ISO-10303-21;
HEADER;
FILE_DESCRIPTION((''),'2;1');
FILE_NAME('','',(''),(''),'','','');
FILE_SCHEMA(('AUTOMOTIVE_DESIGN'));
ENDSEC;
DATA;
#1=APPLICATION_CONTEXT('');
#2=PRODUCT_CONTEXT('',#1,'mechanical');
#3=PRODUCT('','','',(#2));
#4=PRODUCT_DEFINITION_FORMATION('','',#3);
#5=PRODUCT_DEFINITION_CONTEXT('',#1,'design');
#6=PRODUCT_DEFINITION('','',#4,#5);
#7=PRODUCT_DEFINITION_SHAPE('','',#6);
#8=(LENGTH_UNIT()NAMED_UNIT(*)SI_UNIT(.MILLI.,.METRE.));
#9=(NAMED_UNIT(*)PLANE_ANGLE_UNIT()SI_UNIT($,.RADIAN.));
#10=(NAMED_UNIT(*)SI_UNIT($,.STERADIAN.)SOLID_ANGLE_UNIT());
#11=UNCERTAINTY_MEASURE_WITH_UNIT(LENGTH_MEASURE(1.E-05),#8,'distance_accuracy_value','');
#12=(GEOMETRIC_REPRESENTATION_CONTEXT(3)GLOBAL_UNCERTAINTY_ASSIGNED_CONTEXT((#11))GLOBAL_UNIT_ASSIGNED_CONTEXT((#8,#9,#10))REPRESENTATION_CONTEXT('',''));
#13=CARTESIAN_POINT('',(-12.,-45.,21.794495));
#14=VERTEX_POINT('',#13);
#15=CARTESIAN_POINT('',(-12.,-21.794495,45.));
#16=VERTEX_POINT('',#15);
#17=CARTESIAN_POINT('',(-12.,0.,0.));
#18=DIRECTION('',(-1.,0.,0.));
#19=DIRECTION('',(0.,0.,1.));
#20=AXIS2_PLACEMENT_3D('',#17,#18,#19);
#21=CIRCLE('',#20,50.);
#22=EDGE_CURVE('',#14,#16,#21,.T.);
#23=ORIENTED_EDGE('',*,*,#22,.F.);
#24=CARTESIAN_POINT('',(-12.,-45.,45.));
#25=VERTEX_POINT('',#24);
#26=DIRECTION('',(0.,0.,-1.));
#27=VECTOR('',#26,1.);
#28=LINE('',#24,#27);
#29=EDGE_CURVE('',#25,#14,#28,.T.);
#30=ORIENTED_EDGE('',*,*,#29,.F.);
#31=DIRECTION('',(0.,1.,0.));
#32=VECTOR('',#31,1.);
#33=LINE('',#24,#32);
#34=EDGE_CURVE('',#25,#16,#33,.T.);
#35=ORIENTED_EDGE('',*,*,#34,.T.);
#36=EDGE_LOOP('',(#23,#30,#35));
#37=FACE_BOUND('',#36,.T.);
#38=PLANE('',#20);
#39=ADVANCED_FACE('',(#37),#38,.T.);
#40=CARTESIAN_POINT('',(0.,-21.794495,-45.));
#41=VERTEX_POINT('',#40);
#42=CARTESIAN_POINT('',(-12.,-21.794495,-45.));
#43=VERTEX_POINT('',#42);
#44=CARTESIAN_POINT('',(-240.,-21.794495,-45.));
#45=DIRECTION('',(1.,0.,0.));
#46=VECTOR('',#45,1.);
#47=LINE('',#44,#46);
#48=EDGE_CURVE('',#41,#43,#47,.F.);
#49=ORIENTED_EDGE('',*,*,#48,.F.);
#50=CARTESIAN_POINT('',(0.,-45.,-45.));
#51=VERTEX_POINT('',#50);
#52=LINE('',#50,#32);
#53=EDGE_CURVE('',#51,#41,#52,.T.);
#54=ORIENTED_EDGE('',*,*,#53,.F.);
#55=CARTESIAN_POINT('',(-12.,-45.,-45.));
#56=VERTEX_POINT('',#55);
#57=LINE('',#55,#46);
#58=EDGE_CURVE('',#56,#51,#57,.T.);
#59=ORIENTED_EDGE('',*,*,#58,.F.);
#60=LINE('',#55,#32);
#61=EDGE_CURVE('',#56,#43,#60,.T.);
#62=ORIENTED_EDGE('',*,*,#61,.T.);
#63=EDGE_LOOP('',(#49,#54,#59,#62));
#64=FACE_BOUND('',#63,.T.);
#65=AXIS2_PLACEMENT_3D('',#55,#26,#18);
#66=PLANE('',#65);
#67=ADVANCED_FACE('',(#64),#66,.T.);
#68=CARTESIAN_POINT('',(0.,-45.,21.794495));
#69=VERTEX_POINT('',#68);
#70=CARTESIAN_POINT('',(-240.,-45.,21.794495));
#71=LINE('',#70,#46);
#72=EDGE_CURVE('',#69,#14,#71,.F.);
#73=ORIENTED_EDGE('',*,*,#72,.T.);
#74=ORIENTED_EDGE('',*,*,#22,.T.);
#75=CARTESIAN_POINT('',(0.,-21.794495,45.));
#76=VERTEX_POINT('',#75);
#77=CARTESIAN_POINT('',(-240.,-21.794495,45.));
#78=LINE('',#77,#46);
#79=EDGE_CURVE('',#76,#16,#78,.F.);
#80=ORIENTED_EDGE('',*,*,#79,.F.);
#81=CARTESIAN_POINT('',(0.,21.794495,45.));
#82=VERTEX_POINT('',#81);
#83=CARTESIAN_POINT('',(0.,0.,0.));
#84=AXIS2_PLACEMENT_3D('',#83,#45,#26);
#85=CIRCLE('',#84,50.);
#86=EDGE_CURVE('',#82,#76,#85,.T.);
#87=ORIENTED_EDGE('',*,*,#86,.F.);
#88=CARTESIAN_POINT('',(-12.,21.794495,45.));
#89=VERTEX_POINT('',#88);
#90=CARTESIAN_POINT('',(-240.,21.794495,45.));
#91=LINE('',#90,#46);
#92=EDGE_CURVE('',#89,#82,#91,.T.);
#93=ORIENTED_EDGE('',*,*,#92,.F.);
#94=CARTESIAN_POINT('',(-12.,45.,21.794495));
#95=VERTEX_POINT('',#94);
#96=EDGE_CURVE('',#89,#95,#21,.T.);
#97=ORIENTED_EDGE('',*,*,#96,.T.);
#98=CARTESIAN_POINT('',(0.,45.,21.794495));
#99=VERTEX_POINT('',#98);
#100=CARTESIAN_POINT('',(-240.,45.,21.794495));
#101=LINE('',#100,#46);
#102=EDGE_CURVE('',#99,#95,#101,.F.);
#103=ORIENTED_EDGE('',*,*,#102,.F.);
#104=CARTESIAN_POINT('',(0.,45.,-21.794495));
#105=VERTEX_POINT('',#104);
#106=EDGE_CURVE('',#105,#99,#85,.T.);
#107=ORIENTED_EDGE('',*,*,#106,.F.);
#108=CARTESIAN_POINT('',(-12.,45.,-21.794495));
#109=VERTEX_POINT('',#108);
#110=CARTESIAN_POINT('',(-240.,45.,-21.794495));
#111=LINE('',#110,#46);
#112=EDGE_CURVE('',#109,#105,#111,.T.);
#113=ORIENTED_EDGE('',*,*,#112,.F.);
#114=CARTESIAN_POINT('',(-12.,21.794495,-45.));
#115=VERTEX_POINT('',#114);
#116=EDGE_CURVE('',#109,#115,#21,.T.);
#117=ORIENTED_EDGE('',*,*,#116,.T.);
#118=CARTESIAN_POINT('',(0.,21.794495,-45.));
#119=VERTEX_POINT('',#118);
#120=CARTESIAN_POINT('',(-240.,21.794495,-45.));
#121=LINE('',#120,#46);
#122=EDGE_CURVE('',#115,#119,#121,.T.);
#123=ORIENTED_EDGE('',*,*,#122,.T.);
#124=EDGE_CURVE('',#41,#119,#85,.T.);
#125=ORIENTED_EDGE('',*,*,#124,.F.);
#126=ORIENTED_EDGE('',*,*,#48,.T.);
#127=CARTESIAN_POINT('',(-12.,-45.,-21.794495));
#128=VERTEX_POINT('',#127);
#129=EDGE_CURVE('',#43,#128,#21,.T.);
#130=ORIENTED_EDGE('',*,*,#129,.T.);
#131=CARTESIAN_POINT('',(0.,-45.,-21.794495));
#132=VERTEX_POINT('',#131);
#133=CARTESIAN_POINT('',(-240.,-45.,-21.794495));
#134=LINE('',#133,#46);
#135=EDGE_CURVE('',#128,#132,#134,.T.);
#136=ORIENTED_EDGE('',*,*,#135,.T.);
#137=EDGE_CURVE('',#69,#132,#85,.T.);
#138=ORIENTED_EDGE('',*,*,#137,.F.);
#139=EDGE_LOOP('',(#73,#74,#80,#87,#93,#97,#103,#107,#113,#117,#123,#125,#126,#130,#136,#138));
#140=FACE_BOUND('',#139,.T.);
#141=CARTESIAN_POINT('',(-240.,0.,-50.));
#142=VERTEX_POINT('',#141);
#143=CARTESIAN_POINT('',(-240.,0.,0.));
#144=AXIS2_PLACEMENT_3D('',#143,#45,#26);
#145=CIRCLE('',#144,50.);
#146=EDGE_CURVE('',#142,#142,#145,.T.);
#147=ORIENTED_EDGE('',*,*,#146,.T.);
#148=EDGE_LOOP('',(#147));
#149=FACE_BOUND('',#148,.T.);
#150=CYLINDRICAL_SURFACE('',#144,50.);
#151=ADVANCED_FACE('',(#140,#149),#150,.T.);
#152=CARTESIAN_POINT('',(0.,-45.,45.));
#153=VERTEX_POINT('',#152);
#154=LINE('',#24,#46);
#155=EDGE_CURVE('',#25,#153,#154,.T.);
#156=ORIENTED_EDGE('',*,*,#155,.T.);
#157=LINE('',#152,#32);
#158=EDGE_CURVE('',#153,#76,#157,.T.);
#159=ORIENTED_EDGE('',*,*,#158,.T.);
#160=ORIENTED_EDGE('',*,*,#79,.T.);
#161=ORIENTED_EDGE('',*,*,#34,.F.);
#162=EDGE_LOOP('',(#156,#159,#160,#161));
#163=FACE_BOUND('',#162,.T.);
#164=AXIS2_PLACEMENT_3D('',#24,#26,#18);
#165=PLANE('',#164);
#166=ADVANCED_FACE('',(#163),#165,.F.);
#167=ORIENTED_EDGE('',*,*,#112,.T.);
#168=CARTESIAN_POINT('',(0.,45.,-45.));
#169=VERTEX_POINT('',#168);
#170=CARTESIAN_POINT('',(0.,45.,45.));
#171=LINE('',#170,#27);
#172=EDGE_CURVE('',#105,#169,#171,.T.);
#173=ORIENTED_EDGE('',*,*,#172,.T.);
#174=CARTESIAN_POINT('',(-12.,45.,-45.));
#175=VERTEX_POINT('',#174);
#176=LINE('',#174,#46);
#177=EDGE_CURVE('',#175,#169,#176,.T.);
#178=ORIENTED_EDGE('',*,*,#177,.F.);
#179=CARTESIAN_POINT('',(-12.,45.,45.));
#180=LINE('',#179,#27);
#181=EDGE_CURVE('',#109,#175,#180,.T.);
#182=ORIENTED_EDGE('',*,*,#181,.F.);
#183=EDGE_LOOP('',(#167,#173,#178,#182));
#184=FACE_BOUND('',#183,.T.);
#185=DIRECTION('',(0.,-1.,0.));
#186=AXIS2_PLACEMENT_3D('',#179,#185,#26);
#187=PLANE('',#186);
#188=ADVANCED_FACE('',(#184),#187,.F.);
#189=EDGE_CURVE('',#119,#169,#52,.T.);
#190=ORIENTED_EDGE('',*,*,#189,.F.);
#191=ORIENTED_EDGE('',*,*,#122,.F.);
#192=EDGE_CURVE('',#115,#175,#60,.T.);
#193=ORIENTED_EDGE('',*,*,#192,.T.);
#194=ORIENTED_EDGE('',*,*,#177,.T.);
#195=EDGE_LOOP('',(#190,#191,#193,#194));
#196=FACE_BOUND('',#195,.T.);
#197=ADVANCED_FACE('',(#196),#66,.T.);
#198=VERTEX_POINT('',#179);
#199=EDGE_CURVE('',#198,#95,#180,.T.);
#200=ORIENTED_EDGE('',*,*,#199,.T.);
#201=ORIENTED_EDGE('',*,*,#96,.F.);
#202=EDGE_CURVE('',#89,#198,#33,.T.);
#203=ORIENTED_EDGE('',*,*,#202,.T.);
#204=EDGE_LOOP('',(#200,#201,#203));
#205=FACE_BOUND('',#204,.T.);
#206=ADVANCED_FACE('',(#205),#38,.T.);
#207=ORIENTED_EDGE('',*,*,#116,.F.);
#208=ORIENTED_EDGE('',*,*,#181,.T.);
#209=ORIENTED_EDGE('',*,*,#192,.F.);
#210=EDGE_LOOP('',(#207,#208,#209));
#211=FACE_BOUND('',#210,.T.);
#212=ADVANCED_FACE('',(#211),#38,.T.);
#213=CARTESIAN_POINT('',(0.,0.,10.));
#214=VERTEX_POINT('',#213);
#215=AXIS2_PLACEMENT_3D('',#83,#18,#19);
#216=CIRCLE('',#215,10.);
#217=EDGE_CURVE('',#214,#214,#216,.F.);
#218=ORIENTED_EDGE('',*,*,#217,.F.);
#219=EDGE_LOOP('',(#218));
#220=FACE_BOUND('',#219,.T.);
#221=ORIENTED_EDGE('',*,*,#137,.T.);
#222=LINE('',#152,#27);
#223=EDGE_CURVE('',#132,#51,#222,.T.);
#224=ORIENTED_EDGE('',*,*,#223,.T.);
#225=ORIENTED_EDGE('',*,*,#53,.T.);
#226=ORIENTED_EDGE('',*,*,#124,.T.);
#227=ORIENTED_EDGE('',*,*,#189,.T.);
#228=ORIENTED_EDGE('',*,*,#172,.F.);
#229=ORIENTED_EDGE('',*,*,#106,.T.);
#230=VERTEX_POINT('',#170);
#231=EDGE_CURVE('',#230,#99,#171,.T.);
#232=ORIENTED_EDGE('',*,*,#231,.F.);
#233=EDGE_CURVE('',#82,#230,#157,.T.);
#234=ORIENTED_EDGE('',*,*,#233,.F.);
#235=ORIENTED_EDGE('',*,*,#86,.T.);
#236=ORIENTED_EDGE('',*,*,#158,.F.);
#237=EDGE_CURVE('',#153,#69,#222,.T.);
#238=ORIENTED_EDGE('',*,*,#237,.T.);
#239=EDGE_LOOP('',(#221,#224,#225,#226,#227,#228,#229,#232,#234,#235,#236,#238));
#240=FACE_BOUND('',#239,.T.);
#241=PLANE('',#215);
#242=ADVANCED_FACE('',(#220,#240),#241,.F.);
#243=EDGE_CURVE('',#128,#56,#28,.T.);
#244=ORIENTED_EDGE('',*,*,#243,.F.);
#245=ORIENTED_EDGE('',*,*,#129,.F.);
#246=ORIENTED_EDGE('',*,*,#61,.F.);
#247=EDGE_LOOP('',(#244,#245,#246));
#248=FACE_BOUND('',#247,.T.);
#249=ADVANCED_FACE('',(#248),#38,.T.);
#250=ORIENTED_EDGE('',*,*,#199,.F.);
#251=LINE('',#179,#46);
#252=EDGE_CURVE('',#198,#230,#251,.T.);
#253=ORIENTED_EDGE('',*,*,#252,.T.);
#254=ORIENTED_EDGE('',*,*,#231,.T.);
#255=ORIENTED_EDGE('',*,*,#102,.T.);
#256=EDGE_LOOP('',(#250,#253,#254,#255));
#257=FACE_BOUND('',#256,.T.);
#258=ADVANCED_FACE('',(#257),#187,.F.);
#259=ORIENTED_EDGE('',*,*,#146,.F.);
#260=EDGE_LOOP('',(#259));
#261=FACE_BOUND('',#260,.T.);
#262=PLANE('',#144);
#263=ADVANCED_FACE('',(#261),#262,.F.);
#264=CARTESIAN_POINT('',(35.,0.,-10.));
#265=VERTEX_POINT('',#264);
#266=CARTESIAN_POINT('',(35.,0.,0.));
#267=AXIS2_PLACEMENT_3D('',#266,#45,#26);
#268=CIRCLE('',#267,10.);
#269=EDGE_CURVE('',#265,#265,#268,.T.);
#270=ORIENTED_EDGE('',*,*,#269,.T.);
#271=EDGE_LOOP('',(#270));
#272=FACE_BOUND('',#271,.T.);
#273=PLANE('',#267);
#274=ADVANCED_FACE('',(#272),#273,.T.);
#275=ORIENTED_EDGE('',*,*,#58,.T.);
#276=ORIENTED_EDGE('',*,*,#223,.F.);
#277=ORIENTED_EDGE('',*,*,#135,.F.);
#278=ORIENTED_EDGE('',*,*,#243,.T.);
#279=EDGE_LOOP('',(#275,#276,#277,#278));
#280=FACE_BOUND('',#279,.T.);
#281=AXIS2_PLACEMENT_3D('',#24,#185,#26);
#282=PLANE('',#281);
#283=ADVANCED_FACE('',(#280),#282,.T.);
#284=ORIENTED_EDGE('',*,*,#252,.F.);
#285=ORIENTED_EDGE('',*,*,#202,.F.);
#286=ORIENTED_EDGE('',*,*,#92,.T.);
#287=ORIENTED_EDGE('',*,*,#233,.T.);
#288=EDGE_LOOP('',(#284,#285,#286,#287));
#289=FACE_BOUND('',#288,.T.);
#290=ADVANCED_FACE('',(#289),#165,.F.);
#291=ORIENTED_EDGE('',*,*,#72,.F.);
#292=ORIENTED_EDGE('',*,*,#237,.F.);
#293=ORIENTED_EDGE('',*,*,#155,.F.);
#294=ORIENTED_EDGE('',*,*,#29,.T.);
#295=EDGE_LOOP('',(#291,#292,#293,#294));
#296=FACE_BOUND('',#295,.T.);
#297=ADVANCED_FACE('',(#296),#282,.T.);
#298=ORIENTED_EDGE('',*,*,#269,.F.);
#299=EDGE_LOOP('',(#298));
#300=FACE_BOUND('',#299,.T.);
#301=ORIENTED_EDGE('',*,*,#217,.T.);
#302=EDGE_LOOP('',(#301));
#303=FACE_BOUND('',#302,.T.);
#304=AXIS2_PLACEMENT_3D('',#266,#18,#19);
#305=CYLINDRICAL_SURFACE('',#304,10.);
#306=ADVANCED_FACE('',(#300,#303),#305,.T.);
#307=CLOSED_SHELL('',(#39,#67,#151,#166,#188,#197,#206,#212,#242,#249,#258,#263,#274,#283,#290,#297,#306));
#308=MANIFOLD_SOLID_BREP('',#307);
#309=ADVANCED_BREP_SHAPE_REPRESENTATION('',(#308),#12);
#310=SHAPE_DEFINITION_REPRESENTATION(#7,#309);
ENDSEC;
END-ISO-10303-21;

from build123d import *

# Parameters (mm, degrees)
SKETCH1_W           = 90
SKETCH1_H           = 90
BOSS_EXTRUDE1_DEPTH = 12
SKETCH2_R           = 50
BOSS_EXTRUDE2_DEPTH = 240
SKETCH3_R           = 10
BOSS_EXTRUDE3_DEPTH = 35


with BuildPart() as part:
    # Sketch1 → Boss-Extrude1 (new body)
    with BuildSketch(Plane.YZ):
        Rectangle(SKETCH1_W, SKETCH1_H)
    extrude(amount=-BOSS_EXTRUDE1_DEPTH)

    # Sketch2 → Boss-Extrude2 (add)
    with BuildSketch(Plane.YZ):
        with Locations(Location((0, 0, 0), (0, 0, 270))):
            Circle(SKETCH2_R)
    extrude(amount=-BOSS_EXTRUDE2_DEPTH)

    # Sketch3 → Boss-Extrude3 (add)
    with BuildSketch(Plane(origin=(0, 0, 0), x_dir=(0, 0, -1), z_dir=(1, 0, 0))):
        with Locations(Location((0, 0, 0), (0, 0, 180))):
            Circle(SKETCH3_R)
    extrude(amount=BOSS_EXTRUDE3_DEPTH)


solid = part.part
